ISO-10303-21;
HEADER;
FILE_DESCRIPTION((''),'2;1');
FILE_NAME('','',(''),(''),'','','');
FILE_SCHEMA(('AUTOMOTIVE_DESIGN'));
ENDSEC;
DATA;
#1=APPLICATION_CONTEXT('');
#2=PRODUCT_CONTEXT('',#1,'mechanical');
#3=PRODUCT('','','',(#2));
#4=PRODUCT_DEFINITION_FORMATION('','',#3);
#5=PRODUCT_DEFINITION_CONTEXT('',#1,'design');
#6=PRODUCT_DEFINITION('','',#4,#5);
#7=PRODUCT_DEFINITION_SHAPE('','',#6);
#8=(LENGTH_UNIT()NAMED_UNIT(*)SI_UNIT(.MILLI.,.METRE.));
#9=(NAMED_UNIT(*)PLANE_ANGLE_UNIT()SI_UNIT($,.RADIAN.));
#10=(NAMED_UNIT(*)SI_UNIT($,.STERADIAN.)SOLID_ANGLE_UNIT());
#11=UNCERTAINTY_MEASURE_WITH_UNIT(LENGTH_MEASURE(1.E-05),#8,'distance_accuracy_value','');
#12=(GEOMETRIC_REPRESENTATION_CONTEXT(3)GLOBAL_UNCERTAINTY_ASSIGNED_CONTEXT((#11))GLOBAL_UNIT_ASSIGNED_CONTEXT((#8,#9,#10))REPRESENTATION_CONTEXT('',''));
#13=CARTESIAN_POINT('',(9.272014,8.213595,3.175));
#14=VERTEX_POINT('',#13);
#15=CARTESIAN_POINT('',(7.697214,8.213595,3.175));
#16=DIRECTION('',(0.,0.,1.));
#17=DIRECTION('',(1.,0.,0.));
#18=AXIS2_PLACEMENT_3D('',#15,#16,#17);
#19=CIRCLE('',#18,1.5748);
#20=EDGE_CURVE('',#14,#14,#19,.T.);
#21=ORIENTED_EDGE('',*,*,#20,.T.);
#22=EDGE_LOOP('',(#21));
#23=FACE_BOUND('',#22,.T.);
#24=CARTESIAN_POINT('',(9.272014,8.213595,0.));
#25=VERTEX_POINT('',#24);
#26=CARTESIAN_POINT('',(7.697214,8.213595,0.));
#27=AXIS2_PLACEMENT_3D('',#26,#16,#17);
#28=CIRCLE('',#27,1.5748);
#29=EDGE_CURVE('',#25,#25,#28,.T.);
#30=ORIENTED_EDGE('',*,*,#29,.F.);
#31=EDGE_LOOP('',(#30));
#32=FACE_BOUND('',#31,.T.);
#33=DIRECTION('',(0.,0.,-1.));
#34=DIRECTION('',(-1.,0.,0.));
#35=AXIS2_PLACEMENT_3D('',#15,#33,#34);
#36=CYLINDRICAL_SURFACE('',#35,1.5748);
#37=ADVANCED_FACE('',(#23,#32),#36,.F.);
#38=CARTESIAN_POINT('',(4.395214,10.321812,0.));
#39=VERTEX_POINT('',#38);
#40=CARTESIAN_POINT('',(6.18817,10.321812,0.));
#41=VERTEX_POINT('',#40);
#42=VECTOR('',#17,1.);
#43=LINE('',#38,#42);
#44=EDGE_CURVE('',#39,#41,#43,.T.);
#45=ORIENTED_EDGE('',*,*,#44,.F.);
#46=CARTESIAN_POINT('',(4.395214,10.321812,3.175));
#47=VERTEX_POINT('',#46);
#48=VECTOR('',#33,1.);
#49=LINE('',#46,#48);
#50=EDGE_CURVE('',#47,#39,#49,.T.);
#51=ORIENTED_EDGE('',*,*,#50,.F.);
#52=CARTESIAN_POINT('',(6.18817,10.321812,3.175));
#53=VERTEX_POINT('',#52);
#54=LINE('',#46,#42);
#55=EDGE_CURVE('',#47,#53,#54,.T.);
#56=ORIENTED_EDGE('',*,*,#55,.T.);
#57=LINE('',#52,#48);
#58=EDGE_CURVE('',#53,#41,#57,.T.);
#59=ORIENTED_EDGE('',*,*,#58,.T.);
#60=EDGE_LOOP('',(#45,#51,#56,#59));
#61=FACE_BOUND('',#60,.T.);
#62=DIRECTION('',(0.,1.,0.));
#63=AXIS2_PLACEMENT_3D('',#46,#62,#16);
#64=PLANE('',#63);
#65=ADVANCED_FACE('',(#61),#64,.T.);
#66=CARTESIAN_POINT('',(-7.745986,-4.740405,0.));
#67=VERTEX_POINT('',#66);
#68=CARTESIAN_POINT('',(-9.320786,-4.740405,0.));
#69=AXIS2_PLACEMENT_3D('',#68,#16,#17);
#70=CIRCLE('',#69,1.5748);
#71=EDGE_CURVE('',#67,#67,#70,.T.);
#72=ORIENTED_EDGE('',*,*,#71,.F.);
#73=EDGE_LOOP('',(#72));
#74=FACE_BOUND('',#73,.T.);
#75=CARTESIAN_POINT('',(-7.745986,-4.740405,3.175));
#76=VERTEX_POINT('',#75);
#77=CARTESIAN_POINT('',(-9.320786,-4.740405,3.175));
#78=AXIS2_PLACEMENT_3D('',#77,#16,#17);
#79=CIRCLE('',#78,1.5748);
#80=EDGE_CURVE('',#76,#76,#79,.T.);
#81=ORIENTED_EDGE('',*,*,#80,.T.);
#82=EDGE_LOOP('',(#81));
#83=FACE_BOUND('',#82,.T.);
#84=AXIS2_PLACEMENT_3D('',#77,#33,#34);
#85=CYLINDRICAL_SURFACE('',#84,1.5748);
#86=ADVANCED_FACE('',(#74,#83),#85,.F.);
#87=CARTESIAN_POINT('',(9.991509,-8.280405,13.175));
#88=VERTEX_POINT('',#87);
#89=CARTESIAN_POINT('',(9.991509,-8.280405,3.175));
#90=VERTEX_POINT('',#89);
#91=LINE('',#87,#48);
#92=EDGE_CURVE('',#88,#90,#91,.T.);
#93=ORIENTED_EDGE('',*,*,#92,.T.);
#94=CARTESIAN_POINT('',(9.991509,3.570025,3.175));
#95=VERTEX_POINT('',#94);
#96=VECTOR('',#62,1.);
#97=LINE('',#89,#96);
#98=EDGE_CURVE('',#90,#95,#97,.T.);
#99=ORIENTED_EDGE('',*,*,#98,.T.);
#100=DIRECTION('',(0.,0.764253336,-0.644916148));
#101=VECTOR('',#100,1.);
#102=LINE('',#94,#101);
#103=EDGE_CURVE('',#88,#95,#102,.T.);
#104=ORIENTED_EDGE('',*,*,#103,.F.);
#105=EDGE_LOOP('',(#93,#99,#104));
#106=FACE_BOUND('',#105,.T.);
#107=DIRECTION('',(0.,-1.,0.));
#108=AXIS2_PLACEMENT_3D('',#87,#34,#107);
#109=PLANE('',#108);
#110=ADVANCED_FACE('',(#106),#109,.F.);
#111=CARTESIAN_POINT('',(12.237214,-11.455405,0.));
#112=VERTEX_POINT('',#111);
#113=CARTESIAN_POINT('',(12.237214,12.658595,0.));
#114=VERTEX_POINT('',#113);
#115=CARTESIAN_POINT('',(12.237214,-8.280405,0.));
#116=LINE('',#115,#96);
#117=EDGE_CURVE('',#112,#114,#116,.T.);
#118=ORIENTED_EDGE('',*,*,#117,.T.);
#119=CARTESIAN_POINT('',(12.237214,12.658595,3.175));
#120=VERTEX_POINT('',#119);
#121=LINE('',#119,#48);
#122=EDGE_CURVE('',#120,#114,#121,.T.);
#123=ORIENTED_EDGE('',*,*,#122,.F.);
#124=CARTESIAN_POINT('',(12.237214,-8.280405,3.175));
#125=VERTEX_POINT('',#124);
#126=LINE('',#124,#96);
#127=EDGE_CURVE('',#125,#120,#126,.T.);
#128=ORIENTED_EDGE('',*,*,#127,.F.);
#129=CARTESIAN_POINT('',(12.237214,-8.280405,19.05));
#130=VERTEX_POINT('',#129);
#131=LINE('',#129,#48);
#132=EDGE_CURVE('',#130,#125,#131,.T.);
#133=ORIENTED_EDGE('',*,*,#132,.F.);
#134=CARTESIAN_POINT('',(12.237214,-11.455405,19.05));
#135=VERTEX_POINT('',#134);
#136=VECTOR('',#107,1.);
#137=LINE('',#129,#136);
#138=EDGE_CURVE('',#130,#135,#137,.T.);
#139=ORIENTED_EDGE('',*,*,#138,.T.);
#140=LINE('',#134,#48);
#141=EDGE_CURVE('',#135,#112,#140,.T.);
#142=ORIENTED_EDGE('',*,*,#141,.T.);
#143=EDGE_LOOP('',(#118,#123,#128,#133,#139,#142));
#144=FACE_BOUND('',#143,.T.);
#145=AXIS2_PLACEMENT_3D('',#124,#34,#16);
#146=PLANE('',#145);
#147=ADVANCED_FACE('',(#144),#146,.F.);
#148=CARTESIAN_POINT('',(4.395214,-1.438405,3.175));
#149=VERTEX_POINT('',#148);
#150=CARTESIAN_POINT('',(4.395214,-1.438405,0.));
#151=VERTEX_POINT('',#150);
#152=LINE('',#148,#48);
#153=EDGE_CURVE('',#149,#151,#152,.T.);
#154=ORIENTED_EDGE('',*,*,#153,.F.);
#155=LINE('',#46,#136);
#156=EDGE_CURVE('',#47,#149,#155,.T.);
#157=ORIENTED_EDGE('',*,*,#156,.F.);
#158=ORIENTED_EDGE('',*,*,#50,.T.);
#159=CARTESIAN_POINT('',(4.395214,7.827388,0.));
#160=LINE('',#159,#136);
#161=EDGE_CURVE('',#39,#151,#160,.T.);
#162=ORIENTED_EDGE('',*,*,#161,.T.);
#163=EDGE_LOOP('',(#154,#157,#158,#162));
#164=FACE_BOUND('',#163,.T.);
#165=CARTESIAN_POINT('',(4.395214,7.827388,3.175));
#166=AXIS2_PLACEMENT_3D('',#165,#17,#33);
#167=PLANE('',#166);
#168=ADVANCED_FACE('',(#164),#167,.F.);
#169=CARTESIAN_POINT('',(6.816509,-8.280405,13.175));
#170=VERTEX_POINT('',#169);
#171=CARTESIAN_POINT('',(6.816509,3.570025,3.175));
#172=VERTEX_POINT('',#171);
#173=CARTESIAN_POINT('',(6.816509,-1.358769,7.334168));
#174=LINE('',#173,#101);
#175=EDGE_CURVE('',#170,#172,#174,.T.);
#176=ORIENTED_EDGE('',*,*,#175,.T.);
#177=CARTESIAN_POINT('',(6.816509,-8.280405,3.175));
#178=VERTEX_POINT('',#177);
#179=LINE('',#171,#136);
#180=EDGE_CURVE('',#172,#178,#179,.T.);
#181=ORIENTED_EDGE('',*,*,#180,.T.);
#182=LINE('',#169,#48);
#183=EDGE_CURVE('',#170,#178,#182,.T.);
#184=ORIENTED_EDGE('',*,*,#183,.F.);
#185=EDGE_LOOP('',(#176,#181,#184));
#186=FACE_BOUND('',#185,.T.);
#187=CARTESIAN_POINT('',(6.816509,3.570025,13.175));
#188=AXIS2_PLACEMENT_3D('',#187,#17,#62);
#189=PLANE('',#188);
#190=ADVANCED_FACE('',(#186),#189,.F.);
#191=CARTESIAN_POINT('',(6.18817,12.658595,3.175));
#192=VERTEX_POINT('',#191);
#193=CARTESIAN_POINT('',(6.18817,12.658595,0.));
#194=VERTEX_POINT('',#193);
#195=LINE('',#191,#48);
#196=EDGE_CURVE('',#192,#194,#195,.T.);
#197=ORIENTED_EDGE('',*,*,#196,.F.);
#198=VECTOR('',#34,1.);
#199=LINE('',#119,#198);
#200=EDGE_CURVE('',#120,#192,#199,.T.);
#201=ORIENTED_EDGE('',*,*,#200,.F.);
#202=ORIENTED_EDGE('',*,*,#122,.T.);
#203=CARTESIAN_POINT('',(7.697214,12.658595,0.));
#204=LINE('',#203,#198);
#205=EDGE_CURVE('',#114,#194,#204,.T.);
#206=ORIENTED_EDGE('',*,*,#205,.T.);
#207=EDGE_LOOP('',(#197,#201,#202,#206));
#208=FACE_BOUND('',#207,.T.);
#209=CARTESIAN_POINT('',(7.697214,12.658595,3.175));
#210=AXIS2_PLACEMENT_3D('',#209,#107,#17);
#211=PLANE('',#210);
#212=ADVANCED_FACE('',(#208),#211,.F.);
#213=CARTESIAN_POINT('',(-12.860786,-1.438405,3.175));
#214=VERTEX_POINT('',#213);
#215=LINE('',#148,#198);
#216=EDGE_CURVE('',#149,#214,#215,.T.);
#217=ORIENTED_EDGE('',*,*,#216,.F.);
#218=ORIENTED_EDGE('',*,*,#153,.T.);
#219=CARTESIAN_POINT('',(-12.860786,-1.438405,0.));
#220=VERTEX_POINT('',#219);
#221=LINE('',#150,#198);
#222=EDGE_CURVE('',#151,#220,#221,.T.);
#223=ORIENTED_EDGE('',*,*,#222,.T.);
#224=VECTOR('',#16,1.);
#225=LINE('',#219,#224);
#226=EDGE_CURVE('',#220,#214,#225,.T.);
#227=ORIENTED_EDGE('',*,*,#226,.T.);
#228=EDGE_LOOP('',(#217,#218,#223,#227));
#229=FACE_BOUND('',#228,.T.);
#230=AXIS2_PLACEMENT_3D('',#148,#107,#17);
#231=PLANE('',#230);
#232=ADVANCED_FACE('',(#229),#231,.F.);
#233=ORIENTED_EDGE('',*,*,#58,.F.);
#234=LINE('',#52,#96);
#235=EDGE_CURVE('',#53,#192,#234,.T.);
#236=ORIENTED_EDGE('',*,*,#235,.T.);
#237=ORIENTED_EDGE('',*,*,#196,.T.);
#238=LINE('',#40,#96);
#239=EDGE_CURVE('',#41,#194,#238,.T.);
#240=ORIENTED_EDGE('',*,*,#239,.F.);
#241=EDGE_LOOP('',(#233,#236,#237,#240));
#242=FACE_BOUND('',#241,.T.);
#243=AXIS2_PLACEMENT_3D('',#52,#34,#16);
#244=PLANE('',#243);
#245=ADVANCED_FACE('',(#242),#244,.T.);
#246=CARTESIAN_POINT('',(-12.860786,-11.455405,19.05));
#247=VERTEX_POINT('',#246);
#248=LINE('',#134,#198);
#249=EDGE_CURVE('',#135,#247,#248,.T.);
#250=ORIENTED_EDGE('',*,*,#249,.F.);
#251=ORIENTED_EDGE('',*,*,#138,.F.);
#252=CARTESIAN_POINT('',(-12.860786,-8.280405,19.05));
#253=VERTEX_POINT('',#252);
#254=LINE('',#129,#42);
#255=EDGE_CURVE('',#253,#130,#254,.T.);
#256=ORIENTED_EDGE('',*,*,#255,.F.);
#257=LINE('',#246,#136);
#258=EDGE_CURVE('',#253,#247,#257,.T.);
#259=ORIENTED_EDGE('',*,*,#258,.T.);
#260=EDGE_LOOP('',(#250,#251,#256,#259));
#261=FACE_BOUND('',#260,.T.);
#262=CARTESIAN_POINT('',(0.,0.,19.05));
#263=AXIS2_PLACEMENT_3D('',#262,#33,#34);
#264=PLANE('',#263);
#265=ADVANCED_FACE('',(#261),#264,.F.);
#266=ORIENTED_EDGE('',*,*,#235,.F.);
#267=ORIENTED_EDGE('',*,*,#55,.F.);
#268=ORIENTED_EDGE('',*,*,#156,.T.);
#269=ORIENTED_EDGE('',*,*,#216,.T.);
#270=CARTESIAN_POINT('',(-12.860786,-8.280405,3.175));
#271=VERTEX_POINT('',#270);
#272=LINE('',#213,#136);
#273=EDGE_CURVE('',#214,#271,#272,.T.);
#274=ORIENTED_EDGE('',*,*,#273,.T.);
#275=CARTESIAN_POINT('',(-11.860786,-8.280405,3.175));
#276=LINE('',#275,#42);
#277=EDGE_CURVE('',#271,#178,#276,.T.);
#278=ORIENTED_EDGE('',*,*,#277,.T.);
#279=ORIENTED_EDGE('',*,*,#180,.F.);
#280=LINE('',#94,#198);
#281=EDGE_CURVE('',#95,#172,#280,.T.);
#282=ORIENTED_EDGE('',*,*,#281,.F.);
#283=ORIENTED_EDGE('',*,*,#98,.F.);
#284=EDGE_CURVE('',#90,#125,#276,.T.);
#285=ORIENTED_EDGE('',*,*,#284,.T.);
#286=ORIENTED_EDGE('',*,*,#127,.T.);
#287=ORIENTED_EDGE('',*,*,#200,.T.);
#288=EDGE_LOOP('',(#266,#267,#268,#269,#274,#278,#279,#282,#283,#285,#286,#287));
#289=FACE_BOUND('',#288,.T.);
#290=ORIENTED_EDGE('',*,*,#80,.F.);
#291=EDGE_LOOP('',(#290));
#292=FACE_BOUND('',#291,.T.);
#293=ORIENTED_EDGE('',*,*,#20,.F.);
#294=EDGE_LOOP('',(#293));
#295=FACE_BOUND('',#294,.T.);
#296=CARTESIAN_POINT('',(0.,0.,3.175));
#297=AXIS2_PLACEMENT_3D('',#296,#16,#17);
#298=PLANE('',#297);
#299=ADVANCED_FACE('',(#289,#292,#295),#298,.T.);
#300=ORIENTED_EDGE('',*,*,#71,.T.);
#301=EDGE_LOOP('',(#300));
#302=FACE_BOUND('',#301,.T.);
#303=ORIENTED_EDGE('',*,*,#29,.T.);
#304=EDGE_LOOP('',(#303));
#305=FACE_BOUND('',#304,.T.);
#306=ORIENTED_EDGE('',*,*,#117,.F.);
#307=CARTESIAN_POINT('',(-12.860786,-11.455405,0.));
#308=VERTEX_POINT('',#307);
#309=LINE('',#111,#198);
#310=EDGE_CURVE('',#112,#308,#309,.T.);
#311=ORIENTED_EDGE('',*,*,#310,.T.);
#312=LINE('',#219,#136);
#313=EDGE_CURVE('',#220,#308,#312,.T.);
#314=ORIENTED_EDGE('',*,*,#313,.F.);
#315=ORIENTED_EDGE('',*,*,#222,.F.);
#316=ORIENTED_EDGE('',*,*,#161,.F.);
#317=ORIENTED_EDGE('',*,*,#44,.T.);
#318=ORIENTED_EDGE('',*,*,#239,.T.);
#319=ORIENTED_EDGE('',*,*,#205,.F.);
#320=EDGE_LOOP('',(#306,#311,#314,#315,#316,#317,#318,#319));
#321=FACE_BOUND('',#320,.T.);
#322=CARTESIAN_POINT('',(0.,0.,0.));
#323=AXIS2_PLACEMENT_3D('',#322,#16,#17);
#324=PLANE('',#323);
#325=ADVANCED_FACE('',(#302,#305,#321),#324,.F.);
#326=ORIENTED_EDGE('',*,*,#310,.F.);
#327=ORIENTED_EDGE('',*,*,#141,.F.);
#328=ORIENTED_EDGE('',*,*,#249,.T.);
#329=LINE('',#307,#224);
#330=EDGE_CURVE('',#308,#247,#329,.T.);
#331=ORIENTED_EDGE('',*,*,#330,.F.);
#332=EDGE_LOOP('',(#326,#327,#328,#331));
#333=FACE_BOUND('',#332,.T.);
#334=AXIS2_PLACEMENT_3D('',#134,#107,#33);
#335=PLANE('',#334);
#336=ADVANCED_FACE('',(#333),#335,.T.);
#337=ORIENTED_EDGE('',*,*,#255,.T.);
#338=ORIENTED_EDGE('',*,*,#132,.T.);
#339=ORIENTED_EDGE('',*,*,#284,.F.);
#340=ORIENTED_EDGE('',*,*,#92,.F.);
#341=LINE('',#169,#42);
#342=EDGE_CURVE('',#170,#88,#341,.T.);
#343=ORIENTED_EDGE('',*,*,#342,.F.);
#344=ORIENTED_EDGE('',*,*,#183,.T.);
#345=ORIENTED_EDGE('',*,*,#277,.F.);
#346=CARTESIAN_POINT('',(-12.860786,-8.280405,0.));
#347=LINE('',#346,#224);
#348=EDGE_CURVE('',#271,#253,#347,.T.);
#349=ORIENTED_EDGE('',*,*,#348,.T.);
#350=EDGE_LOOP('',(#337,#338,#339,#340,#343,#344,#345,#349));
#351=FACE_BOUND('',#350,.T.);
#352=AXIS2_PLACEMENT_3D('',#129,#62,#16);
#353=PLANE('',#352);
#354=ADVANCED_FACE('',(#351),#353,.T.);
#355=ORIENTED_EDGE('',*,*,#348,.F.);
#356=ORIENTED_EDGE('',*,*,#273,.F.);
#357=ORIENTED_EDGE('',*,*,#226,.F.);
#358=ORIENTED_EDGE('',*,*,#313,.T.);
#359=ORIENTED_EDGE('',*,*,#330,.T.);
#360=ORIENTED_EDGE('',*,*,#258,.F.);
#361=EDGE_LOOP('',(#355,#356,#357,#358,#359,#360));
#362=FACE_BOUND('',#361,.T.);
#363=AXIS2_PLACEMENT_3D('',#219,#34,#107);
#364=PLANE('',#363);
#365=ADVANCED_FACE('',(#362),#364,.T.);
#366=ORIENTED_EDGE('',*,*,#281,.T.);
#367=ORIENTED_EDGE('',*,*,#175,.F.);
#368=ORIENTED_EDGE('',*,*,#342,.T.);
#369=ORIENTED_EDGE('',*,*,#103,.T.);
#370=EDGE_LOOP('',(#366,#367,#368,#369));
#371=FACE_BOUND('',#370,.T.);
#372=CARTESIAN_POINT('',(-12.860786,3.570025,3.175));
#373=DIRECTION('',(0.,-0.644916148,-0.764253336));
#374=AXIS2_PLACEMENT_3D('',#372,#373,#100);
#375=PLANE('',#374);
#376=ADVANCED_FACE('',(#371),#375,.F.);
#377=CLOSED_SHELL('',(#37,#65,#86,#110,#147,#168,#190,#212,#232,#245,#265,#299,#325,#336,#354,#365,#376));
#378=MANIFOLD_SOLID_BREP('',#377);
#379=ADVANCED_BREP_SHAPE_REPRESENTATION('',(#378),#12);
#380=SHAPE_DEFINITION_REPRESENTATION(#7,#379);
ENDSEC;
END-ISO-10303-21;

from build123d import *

# Parameters (mm, degrees)
SKETCH2_R           = 1.5748
BOSS_EXTRUDE1_DEPTH = 3.175
SKETCH5_W           = 24.098
SKETCH5_H           = 3.175
BOSS_EXTRUDE2_DEPTH = 19.05
SKETCH7_W           = 1
SKETCH7_H           = 6.842
BOSS_EXTRUDE3_DEPTH = 3.175
SKETCH8_W           = 1
SKETCH8_H           = 3.175
BOSS_EXTRUDE4_DEPTH = 19.05
SKETCH9_W           = 3.175
SKETCH9_H           = 11.85042952
BOSS_EXTRUDE5_DEPTH = 10
CUT_EXTRUDE1_DEPTH  = 33.332180825


with BuildPart() as part:
    # Sketch2 → Boss-Extrude1 (new body)
    with BuildSketch(Plane.XY):
        Polygon((4.395213829, 10.321811953), (4.395213829, 7.827388121), (4.395213829, -1.438404904), (-11.860786171, -1.438404904), (-11.860786171, -8.280404904), (12.237213829, -8.280404904), (12.237213829, 12.658595096), (7.697213829, 12.658595096), (6.188170382, 12.658595096), (6.188170382, 10.321811953), align=None)
        with Locations((-9.320786171, -4.740404904)):
            Circle(SKETCH2_R, mode=Mode.SUBTRACT)
        with Locations((7.697213829, 8.213595096)):
            Circle(SKETCH2_R, mode=Mode.SUBTRACT)
    extrude(amount=BOSS_EXTRUDE1_DEPTH)

    # Sketch5 → Boss-Extrude2 (add)
    with BuildSketch(Plane(origin=(0, 0, 0), x_dir=(-1, 0, 0), z_dir=(0, 0, -1))):
        with Locations((-0.188213829, -9.867904904)):
            Rectangle(SKETCH5_W, SKETCH5_H)
    extrude(amount=-BOSS_EXTRUDE2_DEPTH)

    # Sketch7 → Boss-Extrude3 (add)
    with BuildSketch(Plane.XY.offset(3.175)):
        with Locations((-12.360786171, -4.859404904)):
            Rectangle(SKETCH7_W, SKETCH7_H)
    extrude(amount=-BOSS_EXTRUDE3_DEPTH)

    # Sketch8 → Boss-Extrude4 (add)
    with BuildSketch(Plane.XY.offset(19.05)):
        with Locations((-12.360786171, -9.867904904)):
            Rectangle(SKETCH8_W, SKETCH8_H)
    extrude(amount=-BOSS_EXTRUDE4_DEPTH)

    # Sketch9 → Boss-Extrude5 (add)
    with BuildSketch(Plane.XY.offset(3.175)):
        with Locations((8.404008836, -2.355190144)):
            Rectangle(SKETCH9_W, SKETCH9_H)
    extrude(amount=BOSS_EXTRUDE5_DEPTH)

    # Sketch10 → Cut-Extrude1 (cut, through all)
    with BuildSketch(Plane(origin=(9.991508836, 0, 0), x_dir=(0, 0, -1), z_dir=(1, 0, 0))):
        Polygon((-3.175, 3.570024616), (-13.175, -8.280404904), (-13.175, 3.570024616), align=None)
    extrude(amount=-CUT_EXTRUDE1_DEPTH, mode=Mode.SUBTRACT)


solid = part.part
